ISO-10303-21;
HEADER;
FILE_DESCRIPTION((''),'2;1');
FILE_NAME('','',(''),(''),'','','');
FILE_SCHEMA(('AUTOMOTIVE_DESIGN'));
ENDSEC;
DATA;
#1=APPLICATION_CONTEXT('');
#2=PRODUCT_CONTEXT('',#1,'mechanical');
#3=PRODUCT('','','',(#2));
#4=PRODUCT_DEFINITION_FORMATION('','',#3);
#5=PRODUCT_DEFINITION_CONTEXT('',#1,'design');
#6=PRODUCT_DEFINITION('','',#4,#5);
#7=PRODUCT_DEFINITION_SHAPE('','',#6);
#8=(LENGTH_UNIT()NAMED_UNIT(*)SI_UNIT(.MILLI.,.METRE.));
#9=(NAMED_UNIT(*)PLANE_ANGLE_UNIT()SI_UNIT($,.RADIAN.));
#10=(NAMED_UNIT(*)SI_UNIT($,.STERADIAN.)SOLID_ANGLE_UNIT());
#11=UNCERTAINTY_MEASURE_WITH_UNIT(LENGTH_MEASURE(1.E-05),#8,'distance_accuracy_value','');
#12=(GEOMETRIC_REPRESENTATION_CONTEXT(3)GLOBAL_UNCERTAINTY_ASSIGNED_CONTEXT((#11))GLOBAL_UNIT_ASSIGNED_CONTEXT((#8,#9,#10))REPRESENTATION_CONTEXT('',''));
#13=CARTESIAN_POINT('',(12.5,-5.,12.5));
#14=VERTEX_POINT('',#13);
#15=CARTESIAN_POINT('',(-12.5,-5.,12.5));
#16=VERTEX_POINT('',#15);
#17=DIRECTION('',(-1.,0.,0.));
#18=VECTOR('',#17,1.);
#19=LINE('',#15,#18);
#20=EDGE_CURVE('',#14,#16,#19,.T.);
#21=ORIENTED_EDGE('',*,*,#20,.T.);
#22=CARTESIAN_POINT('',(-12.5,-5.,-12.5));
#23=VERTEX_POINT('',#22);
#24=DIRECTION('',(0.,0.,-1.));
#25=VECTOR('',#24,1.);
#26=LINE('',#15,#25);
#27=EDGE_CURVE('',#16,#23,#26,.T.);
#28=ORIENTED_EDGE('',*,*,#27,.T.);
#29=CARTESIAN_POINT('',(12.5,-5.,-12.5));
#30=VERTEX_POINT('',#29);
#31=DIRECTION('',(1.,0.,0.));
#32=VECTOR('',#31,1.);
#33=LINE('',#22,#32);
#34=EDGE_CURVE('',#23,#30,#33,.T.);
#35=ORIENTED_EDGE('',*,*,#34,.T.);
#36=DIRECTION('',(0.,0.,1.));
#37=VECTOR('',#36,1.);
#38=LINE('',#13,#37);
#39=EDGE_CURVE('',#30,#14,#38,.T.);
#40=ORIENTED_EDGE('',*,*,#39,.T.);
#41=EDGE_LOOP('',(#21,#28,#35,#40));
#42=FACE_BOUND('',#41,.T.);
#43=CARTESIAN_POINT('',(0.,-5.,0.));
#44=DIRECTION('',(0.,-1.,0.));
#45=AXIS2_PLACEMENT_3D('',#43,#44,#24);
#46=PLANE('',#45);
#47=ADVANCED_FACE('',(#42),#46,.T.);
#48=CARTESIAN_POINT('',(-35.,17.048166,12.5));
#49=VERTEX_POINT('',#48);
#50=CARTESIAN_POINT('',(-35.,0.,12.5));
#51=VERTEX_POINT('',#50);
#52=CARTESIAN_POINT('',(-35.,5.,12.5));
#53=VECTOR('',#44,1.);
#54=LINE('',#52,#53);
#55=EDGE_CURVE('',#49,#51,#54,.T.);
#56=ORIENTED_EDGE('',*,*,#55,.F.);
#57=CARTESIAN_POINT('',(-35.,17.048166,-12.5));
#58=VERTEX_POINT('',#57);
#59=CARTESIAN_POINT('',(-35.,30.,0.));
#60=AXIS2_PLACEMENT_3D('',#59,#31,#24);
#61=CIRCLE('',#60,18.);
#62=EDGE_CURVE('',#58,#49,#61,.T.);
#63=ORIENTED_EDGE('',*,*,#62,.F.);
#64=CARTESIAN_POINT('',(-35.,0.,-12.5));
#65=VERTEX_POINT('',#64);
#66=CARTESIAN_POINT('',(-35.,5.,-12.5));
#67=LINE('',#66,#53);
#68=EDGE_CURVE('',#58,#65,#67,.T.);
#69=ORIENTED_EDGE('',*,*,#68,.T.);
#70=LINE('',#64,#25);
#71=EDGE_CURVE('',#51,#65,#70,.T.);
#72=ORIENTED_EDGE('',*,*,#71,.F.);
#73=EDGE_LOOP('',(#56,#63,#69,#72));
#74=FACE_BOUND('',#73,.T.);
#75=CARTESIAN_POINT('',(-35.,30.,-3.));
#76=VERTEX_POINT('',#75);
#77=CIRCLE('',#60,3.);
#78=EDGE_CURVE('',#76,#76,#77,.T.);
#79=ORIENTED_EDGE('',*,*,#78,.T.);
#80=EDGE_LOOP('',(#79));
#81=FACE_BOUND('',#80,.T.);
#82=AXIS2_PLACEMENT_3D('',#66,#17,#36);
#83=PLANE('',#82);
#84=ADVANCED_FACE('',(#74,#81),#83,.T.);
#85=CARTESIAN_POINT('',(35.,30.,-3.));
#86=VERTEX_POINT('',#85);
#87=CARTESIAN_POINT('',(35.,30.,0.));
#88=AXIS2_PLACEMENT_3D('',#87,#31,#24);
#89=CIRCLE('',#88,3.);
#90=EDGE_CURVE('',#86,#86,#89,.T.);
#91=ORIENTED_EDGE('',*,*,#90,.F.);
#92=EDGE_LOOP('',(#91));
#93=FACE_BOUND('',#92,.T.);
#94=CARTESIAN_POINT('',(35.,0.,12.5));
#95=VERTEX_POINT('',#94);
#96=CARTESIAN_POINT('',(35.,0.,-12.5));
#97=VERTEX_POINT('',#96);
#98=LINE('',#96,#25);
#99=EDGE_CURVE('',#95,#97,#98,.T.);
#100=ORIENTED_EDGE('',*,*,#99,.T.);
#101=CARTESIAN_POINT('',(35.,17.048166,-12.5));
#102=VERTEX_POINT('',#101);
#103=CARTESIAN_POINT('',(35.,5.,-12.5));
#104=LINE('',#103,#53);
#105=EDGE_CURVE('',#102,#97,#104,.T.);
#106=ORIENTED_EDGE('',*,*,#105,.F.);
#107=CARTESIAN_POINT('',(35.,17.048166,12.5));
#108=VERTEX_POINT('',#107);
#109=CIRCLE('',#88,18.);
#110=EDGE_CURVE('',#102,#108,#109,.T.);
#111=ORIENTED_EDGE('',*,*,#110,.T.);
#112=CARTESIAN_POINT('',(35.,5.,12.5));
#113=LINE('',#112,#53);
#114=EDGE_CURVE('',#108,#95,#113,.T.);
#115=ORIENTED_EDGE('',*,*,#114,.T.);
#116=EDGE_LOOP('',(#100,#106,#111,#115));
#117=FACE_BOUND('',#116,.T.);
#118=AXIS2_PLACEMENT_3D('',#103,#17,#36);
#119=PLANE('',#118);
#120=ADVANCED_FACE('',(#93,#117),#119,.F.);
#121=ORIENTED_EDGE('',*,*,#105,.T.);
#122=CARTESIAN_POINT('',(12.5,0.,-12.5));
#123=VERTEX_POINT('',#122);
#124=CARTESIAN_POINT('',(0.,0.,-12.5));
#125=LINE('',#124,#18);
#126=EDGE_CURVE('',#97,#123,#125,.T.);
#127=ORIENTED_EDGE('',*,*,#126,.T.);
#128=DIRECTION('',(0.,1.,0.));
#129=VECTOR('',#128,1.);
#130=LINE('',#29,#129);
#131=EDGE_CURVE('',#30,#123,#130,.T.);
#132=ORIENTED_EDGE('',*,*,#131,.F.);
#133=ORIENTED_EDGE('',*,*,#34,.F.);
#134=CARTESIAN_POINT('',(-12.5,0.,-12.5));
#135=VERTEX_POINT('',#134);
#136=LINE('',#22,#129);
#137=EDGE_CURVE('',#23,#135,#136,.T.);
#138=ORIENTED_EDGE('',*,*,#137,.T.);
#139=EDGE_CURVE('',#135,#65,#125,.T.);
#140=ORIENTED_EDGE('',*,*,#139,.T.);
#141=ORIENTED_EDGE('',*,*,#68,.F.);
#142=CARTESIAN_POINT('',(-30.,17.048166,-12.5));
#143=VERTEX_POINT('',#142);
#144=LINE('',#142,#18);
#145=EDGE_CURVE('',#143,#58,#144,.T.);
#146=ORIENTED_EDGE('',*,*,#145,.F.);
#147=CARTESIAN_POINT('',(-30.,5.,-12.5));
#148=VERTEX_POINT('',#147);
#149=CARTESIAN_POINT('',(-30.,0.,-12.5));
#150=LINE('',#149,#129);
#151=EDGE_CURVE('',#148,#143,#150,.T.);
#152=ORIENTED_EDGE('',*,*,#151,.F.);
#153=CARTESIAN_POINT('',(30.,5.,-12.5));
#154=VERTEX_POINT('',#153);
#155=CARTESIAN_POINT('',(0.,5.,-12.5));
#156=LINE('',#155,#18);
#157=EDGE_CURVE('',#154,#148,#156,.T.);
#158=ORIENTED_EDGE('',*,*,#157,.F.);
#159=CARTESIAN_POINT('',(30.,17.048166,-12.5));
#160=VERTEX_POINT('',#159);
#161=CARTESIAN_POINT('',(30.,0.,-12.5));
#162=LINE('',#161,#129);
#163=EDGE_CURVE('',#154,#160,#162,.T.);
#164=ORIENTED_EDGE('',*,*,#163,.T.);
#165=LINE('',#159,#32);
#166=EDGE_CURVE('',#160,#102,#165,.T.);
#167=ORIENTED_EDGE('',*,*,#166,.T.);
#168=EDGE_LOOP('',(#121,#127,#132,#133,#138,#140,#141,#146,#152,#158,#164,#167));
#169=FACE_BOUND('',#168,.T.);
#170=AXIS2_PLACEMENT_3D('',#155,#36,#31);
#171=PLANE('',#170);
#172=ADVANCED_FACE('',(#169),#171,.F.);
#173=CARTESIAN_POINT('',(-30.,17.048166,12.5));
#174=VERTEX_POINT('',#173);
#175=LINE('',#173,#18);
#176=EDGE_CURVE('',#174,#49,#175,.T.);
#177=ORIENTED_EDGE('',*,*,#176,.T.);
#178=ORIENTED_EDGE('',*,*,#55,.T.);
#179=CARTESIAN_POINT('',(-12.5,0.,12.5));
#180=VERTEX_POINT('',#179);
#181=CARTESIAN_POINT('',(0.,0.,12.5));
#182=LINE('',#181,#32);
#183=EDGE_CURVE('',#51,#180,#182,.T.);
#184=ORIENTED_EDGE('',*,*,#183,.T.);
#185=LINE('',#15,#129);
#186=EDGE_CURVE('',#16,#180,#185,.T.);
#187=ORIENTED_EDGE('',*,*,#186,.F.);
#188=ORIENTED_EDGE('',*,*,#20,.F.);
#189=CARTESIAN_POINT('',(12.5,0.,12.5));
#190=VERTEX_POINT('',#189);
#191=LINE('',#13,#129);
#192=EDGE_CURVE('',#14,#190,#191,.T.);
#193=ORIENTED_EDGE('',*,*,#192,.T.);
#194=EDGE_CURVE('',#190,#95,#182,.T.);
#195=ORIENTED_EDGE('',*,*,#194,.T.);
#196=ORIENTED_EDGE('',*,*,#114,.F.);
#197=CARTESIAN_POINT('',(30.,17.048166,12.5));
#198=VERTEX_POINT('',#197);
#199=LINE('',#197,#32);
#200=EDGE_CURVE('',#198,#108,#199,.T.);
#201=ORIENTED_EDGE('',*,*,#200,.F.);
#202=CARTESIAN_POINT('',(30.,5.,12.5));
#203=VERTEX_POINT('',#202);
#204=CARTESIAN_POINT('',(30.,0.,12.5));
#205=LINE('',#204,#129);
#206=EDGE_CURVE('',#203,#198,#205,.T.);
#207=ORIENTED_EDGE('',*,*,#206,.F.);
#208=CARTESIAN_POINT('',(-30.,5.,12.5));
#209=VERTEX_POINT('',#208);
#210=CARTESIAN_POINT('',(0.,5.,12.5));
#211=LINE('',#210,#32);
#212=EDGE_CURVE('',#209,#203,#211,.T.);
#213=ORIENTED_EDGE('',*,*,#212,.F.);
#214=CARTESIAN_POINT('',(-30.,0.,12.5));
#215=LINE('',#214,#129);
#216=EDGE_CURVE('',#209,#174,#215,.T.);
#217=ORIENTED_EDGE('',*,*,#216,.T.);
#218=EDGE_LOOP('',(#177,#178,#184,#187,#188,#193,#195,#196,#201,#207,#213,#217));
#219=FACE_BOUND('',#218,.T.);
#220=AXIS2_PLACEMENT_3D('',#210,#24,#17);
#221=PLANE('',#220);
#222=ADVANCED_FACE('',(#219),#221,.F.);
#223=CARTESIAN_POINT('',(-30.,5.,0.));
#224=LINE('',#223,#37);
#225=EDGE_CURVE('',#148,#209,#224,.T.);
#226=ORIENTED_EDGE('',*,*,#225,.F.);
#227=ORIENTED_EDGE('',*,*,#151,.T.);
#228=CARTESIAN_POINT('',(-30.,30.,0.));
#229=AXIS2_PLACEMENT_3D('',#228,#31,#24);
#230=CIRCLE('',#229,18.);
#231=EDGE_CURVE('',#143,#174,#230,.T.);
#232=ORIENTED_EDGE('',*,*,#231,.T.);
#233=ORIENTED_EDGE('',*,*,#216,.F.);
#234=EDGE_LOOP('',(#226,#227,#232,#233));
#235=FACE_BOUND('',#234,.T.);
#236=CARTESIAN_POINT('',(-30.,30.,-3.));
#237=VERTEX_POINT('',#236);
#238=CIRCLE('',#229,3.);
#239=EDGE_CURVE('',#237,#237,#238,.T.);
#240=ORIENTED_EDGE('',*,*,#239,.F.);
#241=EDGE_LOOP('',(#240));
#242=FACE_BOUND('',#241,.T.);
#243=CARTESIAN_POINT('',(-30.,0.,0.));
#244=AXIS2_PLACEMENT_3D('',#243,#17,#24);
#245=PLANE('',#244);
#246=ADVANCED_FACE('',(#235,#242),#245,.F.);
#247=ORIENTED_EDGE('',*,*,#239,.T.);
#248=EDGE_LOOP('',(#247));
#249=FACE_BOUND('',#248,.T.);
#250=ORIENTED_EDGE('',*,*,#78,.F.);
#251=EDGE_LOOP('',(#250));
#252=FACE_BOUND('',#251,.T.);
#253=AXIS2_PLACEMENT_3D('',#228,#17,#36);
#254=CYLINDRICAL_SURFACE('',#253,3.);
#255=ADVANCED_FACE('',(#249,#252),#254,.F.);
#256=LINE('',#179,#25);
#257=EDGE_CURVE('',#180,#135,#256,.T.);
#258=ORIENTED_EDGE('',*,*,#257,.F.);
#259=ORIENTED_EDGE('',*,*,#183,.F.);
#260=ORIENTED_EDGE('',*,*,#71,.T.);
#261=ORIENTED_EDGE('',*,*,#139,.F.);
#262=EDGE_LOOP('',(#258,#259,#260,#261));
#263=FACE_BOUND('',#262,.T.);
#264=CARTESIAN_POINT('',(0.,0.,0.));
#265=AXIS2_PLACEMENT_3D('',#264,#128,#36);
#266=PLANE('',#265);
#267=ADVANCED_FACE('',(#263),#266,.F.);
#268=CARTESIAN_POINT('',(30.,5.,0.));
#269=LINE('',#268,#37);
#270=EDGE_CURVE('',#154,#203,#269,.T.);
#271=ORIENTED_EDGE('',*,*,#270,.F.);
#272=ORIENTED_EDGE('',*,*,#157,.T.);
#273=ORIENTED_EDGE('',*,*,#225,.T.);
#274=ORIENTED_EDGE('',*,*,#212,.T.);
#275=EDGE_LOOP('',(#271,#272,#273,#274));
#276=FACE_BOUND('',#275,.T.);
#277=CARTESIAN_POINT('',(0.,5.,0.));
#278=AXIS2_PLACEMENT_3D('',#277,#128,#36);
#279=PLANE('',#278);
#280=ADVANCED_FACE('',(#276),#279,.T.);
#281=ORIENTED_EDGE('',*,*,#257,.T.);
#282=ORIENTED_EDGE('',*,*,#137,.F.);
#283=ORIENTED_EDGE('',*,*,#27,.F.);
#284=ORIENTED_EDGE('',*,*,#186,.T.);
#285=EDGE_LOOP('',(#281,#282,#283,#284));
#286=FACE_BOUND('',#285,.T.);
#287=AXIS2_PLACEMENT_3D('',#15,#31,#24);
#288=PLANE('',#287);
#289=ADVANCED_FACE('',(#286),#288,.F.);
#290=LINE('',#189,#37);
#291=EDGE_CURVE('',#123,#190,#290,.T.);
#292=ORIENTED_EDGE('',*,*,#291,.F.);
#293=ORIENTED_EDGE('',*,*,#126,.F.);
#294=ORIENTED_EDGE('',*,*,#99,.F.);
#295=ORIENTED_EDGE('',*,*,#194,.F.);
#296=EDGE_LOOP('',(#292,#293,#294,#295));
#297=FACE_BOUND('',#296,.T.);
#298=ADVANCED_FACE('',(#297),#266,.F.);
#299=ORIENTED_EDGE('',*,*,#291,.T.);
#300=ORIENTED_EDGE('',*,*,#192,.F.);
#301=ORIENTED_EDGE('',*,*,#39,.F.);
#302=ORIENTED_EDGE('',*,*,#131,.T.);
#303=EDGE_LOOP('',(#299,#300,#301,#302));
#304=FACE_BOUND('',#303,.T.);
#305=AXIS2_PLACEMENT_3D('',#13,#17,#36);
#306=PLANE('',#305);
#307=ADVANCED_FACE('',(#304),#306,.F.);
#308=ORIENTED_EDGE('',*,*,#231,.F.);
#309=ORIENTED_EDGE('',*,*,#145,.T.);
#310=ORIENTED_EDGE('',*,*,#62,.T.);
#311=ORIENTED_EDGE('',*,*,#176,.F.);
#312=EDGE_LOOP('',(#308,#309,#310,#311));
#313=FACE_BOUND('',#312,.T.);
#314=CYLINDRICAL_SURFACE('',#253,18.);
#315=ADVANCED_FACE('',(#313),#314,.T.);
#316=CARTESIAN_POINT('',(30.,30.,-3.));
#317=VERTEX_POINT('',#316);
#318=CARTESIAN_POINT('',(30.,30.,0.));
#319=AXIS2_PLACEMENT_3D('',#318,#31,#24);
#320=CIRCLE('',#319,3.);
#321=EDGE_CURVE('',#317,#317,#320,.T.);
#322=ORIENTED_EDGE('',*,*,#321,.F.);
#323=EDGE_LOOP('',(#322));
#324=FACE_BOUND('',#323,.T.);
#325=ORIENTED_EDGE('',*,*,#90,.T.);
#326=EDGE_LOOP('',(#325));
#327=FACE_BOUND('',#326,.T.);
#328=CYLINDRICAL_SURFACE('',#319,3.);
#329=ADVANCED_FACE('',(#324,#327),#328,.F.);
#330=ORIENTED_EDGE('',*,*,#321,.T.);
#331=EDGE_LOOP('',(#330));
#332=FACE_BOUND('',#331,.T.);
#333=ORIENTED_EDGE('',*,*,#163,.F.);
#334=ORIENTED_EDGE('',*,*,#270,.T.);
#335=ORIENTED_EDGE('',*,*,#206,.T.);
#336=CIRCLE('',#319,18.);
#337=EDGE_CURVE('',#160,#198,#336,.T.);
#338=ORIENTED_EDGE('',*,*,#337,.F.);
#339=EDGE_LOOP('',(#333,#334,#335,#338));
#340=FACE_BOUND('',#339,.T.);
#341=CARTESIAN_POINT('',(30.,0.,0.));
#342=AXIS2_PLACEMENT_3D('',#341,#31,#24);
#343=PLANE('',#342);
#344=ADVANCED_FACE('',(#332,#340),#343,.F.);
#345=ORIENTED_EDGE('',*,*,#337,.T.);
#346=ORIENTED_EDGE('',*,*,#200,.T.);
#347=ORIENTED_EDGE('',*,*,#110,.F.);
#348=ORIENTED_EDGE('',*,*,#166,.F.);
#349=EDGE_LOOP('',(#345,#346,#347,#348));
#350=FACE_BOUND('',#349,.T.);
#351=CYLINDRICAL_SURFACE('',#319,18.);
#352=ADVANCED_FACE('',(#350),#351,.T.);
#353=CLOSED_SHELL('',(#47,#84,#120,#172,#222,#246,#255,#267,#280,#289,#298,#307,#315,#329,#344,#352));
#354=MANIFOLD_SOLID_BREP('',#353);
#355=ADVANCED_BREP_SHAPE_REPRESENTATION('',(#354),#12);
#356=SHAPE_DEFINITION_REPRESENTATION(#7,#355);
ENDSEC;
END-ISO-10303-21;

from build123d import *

# Parameters (mm, degrees)
SKETCH1_W           = 35
SKETCH1_H           = 25
BOSS_EXTRUDE1_DEPTH = 5
SKETCH7_R           = 18
SKETCH7_R_2         = 3
BOSS_EXTRUDE2_DEPTH = 5
SKETCH8_W           = 25
SKETCH8_H           = 25
BOSS_EXTRUDE3_DEPTH = 5


with BuildPart() as part:
    # Sketch1 → Boss-Extrude1 (new body)
    with BuildSketch(Plane(origin=(0, 0, 0), x_dir=(1, 0, 0), z_dir=(0, 1, 0))):
        with Locations((17.5, 0)):
            Rectangle(SKETCH1_W, SKETCH1_H)
    boss_extrude1 = extrude(amount=BOSS_EXTRUDE1_DEPTH)

    # Sketch7 → Boss-Extrude2 (add)
    # profile 1 of 2: a face of its own
    with BuildSketch(Plane(origin=(35, 0, 0), x_dir=(0, 0, -1), z_dir=(1, 0, 0))):
        with Locations((0, 30)):
            Circle(SKETCH7_R)
        with Locations((0, 30)):
            Circle(SKETCH7_R_2, mode=Mode.SUBTRACT)
    # profile 2 of 2: a face of its own
    with BuildSketch(Plane(origin=(35, 0, 0), x_dir=(0, 0, -1), z_dir=(1, 0, 0))):
        with BuildLine():
            Line((-12.5, 17.048166153), (-12.5, 5))
            Line((-12.5, 5), (12.5, 5))
            Line((12.5, 5), (12.5, 17.048166153))
            ThreePointArc((12.5, 17.048166153), (0, 12), (-12.5, 17.048166153))
        make_face()
    boss_extrude2 = extrude(amount=-BOSS_EXTRUDE2_DEPTH)

    # Mirror1: Boss-Extrude1, Boss-Extrude2 across plane
    add(boss_extrude1.mirror(Plane(origin=(0, 5, -12.5), x_dir=(0, 0, 1), z_dir=(1, 0, 0))))
    add(boss_extrude2.mirror(Plane(origin=(0, 5, -12.5), x_dir=(0, 0, 1), z_dir=(1, 0, 0))))

    # Sketch8 → Boss-Extrude3 (add)
    with BuildSketch(Plane.XZ):
        Rectangle(SKETCH8_W, SKETCH8_H)
    extrude(amount=BOSS_EXTRUDE3_DEPTH)


solid = part.part
